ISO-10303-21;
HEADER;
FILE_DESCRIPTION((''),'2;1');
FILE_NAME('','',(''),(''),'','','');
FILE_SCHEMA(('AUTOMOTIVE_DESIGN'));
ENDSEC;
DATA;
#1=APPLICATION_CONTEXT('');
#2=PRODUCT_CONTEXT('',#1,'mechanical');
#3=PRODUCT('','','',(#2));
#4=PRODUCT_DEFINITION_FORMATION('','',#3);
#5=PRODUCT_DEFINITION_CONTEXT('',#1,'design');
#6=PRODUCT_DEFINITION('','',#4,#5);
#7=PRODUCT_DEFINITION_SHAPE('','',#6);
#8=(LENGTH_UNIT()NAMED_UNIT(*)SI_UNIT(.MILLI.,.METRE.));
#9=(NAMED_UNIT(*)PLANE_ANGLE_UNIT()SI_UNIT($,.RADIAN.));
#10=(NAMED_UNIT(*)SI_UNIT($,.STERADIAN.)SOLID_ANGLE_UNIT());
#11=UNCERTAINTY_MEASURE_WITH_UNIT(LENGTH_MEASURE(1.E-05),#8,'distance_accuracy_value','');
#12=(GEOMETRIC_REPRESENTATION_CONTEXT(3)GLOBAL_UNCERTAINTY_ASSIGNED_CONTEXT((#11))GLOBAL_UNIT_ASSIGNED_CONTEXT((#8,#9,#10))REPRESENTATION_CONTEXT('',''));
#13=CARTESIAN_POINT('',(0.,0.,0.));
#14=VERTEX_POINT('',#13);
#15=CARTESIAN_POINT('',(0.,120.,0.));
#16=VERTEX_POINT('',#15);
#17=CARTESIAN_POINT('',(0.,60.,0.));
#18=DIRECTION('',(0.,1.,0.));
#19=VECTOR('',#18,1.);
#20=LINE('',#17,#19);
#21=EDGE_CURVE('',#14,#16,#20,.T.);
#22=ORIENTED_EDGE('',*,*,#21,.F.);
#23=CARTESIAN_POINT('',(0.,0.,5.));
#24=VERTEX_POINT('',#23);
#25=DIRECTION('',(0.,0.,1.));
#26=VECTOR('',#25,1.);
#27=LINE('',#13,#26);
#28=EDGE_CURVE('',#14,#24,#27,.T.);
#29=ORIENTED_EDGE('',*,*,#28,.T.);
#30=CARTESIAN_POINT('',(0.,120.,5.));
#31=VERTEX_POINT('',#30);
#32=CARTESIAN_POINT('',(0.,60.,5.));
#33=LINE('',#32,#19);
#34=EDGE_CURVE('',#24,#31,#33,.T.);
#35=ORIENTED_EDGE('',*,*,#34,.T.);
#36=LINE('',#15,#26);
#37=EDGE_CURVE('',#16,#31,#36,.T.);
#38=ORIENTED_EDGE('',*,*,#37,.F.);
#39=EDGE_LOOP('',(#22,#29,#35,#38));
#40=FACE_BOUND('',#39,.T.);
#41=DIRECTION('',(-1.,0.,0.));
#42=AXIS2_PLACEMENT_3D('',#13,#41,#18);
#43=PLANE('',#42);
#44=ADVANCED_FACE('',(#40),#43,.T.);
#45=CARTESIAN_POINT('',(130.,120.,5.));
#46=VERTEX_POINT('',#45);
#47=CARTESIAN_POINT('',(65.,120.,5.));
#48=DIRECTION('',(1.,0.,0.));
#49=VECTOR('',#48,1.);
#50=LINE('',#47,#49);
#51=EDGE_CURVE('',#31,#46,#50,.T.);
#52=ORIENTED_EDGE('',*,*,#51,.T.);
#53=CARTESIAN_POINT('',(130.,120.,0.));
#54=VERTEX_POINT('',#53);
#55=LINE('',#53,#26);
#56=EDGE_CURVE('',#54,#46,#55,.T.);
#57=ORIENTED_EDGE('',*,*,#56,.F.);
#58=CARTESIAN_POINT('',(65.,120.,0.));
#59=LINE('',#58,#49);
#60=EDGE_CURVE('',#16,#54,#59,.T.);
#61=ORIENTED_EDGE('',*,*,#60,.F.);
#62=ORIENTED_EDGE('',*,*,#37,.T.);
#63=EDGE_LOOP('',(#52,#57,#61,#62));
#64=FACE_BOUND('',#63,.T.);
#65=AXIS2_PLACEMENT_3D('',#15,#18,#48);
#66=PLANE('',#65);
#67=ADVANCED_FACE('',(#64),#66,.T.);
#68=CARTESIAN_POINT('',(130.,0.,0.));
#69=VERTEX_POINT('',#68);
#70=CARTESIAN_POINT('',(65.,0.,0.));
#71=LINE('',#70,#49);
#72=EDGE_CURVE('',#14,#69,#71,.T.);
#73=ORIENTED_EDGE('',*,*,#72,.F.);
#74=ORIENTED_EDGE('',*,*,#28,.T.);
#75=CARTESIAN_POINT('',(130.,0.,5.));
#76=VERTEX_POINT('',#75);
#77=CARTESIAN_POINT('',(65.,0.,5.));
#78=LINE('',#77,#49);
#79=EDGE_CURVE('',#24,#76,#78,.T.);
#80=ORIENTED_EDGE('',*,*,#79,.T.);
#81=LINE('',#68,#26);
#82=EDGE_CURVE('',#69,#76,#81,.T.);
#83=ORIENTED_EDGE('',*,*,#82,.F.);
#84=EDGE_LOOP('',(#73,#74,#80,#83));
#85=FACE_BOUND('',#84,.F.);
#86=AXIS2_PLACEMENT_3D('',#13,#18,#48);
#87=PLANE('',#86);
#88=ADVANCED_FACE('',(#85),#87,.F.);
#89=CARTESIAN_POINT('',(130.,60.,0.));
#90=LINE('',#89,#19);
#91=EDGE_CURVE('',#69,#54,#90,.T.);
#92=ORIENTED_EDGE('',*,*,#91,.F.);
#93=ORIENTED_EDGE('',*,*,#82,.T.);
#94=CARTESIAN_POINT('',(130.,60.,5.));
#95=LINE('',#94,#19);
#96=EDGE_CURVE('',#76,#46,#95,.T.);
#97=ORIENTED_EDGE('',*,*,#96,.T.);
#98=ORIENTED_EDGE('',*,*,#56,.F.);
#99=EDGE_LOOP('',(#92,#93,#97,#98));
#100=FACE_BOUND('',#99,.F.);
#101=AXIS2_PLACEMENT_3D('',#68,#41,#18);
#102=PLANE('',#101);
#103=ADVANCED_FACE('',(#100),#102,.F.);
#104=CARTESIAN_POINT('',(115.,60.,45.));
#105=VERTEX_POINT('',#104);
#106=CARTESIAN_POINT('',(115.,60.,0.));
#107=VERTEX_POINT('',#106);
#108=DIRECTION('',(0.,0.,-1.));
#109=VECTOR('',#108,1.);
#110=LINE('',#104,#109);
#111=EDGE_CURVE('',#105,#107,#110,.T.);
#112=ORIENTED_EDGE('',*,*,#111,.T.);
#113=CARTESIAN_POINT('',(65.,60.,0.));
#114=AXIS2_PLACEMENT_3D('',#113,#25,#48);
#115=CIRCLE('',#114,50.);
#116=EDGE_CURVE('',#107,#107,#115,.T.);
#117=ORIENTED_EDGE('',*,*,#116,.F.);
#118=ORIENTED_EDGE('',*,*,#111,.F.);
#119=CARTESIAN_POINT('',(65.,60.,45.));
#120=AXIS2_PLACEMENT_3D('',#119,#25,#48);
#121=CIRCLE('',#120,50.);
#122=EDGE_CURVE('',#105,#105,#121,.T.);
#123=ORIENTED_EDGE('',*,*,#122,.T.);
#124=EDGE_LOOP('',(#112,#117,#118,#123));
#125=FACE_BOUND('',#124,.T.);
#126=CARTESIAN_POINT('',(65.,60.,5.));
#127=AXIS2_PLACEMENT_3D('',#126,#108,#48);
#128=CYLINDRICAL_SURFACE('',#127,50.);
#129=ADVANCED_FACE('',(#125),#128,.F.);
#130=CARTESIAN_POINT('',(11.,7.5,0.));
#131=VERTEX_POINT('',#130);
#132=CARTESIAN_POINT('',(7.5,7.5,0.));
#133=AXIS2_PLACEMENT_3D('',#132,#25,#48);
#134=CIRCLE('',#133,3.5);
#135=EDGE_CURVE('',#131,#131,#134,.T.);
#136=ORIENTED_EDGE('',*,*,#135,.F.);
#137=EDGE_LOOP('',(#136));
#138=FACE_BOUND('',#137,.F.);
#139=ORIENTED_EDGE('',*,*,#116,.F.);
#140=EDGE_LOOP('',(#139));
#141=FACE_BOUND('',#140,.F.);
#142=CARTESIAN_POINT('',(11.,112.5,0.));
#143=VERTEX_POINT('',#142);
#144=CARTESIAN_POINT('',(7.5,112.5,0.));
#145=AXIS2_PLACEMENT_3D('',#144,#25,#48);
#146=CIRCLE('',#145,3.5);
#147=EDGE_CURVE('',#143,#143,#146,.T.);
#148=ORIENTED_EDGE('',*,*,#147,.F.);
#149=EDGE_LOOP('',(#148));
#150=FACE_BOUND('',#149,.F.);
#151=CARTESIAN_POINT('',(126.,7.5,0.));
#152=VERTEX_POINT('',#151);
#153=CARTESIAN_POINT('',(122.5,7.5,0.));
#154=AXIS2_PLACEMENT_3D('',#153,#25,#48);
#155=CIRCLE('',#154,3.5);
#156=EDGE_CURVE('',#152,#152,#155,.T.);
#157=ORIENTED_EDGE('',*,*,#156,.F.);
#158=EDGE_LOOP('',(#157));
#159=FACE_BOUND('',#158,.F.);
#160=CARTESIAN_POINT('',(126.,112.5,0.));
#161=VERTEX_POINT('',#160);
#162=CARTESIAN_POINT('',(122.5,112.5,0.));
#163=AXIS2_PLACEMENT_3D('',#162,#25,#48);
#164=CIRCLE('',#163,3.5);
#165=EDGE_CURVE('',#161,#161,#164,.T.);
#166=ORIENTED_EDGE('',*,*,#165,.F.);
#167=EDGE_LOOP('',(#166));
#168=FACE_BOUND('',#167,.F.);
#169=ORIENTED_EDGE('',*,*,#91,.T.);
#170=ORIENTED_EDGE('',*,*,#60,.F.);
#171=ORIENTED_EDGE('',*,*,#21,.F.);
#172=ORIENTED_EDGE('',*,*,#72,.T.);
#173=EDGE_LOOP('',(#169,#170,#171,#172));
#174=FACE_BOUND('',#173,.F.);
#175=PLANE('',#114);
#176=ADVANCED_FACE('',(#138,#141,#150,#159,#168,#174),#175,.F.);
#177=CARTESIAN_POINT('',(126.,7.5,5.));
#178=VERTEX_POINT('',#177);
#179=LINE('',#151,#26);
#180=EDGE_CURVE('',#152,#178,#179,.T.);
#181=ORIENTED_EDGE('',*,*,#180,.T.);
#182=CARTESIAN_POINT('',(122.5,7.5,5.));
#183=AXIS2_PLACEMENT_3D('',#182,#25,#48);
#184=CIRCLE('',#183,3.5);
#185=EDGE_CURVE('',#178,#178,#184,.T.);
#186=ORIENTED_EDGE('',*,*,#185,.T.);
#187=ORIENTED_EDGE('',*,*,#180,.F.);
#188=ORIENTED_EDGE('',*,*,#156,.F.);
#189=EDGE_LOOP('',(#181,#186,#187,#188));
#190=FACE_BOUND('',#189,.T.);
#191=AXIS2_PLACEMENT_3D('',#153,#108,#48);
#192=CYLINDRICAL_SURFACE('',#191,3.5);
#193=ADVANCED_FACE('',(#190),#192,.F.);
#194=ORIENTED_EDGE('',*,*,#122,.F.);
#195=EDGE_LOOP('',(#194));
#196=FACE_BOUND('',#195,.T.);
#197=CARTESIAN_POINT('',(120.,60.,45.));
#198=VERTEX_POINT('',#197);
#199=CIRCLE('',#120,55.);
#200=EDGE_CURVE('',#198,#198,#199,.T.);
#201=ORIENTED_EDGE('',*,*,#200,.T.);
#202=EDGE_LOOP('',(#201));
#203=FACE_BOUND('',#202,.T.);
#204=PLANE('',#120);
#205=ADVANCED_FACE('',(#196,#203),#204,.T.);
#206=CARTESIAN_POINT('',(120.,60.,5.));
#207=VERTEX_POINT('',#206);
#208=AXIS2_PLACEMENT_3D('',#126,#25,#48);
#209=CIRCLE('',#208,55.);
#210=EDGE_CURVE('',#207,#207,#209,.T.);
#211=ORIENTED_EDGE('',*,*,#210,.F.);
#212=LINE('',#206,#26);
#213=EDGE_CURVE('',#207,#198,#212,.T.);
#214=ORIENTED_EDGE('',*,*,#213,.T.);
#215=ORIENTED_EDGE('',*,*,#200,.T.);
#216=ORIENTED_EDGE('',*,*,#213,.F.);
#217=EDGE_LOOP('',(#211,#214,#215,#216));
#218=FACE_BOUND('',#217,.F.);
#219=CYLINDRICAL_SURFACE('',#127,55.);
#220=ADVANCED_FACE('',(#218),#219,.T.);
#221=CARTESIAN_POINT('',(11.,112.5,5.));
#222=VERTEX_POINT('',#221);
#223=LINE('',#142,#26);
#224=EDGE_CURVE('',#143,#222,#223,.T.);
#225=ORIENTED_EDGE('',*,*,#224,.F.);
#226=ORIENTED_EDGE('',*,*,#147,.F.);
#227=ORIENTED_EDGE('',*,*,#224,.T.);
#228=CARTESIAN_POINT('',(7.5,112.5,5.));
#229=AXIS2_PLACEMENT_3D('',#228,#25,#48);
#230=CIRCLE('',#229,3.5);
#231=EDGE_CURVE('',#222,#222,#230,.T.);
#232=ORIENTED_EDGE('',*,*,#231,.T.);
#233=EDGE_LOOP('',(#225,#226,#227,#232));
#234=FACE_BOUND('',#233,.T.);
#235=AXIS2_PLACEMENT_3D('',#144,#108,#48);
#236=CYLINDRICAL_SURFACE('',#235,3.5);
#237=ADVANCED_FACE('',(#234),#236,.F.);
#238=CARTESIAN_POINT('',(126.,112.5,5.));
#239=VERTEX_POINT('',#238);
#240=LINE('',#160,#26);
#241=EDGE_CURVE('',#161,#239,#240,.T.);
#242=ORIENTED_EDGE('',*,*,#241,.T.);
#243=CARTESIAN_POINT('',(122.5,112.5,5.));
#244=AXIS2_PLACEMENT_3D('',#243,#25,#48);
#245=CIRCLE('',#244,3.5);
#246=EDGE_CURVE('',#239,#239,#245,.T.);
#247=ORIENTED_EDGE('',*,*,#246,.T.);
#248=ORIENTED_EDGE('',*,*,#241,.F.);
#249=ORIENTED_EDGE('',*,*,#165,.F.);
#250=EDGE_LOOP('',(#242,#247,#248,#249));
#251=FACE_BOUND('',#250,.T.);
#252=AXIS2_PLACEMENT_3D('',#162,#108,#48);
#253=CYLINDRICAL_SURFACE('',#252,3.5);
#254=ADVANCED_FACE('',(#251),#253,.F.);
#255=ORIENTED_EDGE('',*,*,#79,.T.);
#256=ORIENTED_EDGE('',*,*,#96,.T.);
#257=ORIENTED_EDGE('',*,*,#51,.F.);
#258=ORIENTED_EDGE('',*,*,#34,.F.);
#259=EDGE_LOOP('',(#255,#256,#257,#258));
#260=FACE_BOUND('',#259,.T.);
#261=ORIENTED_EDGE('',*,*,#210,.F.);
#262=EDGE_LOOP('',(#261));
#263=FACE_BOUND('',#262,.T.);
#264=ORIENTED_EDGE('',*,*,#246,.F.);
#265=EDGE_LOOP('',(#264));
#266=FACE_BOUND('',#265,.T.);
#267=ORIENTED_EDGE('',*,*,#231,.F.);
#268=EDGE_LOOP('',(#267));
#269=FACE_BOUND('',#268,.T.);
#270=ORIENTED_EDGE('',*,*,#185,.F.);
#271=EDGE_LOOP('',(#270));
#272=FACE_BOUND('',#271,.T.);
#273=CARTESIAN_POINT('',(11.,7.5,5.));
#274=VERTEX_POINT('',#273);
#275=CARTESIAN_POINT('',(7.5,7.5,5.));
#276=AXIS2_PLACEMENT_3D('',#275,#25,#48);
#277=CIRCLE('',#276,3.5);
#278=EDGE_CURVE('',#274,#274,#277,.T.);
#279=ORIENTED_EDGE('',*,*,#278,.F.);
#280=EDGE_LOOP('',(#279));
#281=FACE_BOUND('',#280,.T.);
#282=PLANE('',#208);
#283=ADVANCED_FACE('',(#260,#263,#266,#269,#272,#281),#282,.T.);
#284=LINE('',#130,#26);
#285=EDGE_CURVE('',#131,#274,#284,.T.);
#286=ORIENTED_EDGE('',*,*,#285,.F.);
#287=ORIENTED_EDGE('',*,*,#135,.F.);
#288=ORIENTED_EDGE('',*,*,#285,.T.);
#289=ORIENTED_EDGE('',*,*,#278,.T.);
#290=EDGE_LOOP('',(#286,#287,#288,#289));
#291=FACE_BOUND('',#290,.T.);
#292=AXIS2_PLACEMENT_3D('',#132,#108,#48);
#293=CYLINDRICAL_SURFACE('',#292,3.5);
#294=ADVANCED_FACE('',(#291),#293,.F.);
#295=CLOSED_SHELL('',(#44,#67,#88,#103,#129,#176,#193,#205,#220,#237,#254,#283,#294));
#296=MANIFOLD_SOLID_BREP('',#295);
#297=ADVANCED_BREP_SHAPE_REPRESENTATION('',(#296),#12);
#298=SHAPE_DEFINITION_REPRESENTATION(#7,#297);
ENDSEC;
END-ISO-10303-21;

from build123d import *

# Parameters (mm, degrees)
F0_W     = 130
F0_H     = 120
F0_R     = 3.5
F0_R_2   = 50
F1_DEPTH = 5
F2_R     = 55
F2_R_2   = 50
F3_DEPTH = 40


with BuildPart() as f1:
    # F0 (on Top) → F1 (new body)
    with BuildSketch(Plane.XY):
        with Locations((65, 60)):
            Rectangle(F0_W, F0_H)
        with Locations((7.5, 7.5)):
            Circle(F0_R, mode=Mode.SUBTRACT)
        with Locations((122.5, 7.5)):
            Circle(F0_R, mode=Mode.SUBTRACT)
        with Locations((7.5, 112.5)):
            Circle(F0_R, mode=Mode.SUBTRACT)
        with Locations((65, 60)):
            Circle(F0_R_2, mode=Mode.SUBTRACT)
        with Locations((122.5, 112.5)):
            Circle(F0_R, mode=Mode.SUBTRACT)
    extrude(amount=F1_DEPTH)

    # F2 (on face) → F3 (join)
    with BuildSketch(Plane.XY.offset(5)):
        with Locations((65, 60)):
            Circle(F2_R)
        with Locations((65, 60)):
            Circle(F2_R_2, mode=Mode.SUBTRACT)
    extrude(amount=F3_DEPTH)


solid = f1.part
